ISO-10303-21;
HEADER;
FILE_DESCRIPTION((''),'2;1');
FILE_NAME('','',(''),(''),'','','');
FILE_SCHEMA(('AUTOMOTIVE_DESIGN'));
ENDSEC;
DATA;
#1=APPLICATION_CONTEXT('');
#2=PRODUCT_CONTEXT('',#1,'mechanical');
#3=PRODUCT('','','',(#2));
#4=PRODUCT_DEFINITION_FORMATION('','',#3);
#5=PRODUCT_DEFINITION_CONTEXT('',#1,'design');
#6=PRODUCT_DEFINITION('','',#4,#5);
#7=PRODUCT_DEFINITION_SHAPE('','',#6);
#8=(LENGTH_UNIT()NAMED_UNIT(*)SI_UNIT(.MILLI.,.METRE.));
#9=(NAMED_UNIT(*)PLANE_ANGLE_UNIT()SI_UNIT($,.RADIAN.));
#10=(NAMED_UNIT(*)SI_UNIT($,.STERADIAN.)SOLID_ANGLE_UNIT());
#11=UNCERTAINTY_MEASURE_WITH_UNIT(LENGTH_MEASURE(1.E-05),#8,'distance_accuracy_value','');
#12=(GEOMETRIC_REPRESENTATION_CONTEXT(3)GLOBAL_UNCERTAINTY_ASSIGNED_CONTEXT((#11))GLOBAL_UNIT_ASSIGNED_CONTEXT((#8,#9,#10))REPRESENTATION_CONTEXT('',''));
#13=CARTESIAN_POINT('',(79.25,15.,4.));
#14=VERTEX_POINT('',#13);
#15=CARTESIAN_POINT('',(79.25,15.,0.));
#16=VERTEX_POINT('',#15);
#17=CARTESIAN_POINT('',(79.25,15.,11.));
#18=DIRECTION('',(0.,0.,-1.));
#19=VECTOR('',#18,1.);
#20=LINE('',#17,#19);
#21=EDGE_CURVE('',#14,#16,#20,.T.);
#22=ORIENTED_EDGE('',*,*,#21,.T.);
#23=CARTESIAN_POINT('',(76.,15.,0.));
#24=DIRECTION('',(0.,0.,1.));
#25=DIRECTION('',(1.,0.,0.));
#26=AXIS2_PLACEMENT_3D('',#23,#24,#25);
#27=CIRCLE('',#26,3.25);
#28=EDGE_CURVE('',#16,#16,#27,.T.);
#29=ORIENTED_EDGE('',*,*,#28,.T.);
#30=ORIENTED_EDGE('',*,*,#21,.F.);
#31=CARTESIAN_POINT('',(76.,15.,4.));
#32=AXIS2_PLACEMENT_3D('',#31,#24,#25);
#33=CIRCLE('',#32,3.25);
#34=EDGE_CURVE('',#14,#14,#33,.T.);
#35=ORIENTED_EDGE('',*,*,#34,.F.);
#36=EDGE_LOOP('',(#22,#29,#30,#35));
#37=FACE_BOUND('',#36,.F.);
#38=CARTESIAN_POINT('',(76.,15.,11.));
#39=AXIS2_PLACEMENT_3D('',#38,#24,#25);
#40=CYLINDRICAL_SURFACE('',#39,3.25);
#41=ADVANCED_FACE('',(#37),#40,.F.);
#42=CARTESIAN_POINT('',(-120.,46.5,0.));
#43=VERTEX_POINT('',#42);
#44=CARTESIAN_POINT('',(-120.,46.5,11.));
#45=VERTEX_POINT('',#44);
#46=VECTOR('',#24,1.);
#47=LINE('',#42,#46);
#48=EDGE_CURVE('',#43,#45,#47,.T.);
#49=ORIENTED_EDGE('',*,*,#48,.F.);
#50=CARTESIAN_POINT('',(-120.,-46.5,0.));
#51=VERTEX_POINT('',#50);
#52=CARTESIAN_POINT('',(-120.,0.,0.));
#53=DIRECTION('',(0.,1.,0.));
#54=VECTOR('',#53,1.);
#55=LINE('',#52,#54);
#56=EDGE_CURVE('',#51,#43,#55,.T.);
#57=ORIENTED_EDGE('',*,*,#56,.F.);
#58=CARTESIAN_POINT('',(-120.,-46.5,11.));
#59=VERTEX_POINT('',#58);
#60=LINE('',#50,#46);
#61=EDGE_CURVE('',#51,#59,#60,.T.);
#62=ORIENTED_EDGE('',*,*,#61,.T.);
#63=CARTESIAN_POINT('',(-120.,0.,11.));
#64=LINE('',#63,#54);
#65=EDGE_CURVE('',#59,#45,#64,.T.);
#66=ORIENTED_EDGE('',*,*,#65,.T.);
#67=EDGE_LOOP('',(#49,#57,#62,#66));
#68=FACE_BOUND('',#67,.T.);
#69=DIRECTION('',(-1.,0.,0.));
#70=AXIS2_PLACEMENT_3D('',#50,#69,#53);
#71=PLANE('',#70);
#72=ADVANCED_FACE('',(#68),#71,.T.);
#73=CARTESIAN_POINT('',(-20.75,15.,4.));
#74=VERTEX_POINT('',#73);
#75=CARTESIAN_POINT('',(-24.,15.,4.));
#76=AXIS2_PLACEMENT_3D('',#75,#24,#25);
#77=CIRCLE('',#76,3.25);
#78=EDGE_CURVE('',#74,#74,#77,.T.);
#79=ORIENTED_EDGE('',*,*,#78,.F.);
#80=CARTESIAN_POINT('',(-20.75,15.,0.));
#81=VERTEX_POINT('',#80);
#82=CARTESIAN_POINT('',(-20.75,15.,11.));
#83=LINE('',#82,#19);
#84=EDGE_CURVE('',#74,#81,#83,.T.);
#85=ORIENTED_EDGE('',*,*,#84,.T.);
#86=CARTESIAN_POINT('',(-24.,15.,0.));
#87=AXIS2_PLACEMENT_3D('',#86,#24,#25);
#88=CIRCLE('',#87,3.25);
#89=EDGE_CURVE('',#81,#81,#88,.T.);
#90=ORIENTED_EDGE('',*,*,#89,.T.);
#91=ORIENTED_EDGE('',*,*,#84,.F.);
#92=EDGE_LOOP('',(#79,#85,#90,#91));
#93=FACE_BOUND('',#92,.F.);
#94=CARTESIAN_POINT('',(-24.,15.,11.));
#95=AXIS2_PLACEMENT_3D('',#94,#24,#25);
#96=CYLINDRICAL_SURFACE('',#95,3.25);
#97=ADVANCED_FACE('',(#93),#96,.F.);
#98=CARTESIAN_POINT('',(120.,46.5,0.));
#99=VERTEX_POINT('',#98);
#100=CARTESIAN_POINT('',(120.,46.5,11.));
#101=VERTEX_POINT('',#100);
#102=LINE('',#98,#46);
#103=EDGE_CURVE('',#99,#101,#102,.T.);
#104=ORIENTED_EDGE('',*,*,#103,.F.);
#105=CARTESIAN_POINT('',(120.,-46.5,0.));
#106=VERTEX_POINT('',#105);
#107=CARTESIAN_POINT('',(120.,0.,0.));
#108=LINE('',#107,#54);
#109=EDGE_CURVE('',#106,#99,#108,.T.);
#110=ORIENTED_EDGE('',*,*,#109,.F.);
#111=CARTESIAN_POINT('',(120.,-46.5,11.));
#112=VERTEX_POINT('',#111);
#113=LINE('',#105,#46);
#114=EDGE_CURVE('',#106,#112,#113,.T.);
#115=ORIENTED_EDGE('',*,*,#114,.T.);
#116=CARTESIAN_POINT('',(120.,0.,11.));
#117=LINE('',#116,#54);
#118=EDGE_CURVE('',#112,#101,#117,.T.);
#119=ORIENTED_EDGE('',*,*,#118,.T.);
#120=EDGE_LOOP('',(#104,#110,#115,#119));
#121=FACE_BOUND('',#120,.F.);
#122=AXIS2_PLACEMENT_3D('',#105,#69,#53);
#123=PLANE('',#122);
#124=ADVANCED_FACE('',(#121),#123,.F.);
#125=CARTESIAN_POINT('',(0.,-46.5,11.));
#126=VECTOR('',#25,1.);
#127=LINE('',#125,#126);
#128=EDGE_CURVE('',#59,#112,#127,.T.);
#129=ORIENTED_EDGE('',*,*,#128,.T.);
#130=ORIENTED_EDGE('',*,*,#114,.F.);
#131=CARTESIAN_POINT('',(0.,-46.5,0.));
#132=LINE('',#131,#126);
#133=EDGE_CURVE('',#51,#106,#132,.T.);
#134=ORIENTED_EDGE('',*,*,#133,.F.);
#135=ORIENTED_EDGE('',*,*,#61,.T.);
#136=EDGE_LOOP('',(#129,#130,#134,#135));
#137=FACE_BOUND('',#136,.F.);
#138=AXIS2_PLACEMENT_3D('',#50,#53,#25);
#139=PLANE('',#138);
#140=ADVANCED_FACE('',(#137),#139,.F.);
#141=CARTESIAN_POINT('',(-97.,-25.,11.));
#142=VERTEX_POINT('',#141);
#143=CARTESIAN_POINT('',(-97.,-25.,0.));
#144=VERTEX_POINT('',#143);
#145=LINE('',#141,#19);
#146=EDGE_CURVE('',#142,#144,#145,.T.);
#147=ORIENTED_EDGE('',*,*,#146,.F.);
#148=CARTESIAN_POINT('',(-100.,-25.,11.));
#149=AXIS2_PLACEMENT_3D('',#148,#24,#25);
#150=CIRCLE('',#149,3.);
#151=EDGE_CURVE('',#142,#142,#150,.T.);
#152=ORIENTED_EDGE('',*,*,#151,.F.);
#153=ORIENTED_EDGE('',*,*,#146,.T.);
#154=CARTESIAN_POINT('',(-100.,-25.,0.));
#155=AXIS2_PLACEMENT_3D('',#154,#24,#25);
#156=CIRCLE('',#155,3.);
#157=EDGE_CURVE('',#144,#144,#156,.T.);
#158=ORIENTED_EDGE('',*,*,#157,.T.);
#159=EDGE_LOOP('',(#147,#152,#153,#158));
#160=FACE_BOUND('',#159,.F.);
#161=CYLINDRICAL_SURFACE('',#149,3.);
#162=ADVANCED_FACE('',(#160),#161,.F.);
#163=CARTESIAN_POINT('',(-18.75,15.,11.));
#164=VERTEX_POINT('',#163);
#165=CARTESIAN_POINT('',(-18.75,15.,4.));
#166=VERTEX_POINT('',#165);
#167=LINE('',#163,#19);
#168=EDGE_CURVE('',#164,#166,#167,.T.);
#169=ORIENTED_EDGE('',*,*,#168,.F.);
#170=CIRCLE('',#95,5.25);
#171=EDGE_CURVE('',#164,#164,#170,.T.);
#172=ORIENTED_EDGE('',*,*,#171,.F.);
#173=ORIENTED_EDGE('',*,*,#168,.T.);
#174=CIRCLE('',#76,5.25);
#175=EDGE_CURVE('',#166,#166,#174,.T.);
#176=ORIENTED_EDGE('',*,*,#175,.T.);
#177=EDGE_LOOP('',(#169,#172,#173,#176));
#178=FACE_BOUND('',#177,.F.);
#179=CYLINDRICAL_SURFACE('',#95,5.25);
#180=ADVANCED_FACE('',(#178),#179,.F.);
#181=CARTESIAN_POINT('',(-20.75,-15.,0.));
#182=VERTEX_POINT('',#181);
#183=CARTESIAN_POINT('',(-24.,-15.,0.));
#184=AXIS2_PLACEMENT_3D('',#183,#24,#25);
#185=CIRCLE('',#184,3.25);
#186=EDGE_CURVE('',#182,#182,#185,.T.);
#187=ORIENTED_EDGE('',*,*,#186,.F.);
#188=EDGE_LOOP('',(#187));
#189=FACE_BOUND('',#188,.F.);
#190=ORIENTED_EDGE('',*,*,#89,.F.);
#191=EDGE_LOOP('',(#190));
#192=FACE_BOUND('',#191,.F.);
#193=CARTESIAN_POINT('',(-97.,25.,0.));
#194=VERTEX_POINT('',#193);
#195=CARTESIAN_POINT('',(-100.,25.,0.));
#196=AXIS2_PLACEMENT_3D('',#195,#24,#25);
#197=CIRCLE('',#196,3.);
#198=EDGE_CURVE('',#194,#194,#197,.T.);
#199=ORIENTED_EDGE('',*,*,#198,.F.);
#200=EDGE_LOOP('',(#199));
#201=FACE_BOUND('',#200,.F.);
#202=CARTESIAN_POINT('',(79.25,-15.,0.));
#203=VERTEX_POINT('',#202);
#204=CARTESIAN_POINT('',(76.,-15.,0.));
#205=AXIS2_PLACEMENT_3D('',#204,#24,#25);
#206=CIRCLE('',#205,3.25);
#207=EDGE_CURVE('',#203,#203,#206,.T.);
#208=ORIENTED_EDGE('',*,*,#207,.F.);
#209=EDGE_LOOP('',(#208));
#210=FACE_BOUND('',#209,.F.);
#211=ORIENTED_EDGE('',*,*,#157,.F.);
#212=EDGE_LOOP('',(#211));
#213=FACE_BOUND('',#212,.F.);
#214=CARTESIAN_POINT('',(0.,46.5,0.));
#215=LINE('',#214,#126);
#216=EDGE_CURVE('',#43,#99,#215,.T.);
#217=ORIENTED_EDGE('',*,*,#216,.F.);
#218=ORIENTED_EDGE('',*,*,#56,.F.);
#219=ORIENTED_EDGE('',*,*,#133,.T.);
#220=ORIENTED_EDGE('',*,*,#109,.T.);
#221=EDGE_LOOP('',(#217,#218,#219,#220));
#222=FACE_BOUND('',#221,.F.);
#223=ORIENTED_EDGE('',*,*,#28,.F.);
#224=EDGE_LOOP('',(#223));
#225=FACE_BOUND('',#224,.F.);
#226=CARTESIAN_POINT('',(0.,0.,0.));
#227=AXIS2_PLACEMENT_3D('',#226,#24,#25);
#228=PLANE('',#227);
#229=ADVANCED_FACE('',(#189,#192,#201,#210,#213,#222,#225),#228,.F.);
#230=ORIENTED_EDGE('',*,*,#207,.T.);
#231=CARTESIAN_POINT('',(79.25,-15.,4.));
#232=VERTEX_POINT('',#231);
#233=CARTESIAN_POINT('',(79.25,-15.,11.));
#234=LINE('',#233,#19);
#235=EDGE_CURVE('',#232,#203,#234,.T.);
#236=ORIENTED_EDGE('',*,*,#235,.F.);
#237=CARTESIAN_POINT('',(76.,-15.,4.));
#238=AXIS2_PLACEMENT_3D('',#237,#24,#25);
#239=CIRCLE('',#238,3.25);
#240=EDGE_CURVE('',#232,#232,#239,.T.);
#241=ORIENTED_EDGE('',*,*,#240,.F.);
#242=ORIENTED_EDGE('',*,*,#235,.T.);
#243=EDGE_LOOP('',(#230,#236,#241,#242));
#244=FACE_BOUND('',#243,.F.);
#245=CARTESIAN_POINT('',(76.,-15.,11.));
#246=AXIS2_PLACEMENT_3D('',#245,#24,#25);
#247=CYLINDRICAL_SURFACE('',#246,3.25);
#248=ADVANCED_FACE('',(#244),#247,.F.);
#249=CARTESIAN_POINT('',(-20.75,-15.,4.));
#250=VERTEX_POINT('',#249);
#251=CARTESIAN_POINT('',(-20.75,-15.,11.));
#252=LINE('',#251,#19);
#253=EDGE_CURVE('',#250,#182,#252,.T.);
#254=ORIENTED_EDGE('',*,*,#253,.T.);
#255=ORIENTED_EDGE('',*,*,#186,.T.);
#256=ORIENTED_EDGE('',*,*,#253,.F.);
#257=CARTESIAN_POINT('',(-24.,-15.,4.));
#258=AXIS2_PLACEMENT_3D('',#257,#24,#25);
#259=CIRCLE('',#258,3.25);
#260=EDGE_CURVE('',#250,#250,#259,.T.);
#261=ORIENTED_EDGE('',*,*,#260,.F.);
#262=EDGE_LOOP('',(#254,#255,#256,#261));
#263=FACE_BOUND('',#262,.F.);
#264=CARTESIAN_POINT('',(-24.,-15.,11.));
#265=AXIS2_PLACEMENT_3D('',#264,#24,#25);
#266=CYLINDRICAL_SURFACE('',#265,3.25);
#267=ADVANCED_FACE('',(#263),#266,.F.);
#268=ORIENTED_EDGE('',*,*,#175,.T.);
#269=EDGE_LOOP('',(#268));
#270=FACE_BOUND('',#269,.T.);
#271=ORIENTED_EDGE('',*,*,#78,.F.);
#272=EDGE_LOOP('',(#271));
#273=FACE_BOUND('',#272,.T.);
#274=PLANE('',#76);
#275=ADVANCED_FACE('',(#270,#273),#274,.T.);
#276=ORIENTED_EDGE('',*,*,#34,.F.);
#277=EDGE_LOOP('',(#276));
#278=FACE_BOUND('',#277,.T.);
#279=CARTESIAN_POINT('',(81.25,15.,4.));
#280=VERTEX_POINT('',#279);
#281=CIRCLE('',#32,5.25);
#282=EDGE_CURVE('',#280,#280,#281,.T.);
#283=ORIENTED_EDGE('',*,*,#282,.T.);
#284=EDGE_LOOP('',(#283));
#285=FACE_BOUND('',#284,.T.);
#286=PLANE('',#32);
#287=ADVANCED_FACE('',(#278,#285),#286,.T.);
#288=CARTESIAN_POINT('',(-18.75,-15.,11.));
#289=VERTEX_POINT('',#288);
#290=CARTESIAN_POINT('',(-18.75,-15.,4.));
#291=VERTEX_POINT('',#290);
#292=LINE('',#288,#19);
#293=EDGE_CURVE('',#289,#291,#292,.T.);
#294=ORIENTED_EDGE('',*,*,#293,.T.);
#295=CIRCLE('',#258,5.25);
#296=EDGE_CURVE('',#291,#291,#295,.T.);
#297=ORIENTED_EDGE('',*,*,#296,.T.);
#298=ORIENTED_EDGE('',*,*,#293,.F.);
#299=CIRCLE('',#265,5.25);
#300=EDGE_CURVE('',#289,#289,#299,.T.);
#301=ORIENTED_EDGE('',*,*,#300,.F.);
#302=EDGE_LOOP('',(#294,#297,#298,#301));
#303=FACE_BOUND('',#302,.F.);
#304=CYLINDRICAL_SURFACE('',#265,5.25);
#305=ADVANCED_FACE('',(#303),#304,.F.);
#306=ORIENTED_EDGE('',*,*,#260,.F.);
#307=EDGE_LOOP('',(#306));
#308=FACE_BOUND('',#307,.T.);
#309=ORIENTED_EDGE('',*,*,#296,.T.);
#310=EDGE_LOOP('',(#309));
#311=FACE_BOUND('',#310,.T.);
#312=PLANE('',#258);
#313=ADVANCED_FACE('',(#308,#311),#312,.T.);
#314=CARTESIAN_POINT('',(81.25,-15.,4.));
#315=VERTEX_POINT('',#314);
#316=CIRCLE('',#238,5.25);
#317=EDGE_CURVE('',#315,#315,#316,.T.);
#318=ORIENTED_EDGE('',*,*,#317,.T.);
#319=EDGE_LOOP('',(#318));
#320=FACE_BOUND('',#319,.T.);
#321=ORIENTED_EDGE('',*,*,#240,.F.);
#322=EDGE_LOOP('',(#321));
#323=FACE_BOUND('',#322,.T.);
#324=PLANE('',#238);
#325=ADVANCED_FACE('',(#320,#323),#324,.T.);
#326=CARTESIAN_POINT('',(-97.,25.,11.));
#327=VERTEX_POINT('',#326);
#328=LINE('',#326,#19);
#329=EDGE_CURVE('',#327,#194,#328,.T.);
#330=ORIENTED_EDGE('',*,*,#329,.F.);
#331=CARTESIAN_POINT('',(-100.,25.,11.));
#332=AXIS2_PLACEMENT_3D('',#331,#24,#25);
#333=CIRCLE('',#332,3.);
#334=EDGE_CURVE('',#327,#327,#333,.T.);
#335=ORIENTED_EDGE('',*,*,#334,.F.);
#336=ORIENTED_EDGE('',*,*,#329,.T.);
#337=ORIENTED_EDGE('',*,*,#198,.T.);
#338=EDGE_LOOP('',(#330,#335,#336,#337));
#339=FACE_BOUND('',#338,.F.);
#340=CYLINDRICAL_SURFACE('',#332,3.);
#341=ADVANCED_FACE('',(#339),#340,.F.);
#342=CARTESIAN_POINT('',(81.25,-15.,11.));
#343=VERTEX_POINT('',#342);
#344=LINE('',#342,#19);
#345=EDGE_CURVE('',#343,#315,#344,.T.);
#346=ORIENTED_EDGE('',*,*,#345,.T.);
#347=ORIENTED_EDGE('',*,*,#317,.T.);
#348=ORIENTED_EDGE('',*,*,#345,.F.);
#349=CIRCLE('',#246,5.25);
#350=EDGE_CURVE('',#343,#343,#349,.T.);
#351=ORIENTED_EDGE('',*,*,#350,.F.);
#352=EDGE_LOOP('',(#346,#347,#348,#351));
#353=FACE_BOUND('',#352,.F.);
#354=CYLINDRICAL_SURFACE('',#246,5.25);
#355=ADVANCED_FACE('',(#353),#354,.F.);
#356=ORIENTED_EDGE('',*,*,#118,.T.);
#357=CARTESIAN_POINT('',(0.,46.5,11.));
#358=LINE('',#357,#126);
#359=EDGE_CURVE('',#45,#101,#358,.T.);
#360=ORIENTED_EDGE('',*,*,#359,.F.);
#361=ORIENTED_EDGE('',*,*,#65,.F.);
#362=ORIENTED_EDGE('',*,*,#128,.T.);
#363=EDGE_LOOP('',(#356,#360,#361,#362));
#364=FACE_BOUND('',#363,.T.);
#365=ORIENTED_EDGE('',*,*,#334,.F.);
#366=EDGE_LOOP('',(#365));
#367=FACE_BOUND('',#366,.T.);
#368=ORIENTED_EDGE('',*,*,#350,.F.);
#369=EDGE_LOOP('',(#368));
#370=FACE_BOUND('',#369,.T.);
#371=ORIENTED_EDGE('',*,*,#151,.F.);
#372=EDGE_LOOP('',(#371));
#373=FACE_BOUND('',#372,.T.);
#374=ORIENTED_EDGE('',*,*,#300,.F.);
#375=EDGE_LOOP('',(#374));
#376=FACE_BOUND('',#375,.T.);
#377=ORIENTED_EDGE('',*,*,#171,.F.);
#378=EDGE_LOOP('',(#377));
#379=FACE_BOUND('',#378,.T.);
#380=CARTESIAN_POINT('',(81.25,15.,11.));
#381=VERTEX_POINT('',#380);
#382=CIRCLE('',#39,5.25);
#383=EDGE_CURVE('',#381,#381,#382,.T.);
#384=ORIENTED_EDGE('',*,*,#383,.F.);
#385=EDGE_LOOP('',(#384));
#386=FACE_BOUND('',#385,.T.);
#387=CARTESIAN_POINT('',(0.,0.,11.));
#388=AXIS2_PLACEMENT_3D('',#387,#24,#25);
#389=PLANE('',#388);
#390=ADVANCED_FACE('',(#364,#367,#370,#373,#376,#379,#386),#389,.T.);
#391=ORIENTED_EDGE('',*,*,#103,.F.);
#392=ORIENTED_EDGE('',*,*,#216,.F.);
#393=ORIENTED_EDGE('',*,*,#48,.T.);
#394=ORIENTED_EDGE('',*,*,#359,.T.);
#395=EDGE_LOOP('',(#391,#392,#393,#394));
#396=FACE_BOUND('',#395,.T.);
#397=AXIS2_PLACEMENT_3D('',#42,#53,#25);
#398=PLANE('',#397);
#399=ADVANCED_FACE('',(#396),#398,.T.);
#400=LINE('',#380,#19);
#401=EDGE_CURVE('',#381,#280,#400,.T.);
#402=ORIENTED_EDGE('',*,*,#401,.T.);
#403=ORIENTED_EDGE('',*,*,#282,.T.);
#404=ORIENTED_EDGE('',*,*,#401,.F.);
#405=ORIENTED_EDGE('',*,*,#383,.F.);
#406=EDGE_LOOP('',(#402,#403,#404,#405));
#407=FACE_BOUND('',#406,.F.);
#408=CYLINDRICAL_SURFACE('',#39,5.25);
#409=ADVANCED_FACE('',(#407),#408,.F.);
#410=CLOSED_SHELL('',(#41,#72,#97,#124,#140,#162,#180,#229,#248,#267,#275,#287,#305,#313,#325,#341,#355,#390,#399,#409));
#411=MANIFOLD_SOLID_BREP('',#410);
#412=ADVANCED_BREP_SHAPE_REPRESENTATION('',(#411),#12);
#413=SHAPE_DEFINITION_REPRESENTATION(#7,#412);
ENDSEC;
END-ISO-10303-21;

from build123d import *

# Parameters (mm, degrees)
F0_W     = 240
F0_H     = 93
F1_DEPTH = 11
F2_R     = 3.25
F2_R_2   = 3
F3_DEPTH = 11.001
F4_R     = 5.25
F5_DEPTH = 7


with BuildPart() as f1:
    # F0 (on Top) → F1 (new body)
    with BuildSketch(Plane.XY):
        Rectangle(F0_W, F0_H)
    extrude(amount=F1_DEPTH)

    # F2 (on face) → F3 (cut, through all)
    with BuildSketch(Plane.XY.offset(11)):
        with Locations((76, 15)):
            Circle(F2_R)
        with Locations((-24, 15)):
            Circle(F2_R)
        with Locations((-100, 25)):
            Circle(F2_R_2)
        with Locations((-100, -25)):
            Circle(F2_R_2)
        with Locations((-24, -15)):
            Circle(F2_R)
        with Locations((76, -15)):
            Circle(F2_R)
    extrude(amount=-F3_DEPTH, mode=Mode.SUBTRACT)

    # F4 (on face) → F5 (cut)
    with BuildSketch(Plane.XY.offset(11)):
        with Locations((-24, 15)):
            Circle(F4_R)
        with Locations((76, 15)):
            Circle(F4_R)
        with Locations((76, -15)):
            Circle(F4_R)
        with Locations((-24, -15)):
            Circle(F4_R)
    extrude(amount=-F5_DEPTH, mode=Mode.SUBTRACT)


solid = f1.part
